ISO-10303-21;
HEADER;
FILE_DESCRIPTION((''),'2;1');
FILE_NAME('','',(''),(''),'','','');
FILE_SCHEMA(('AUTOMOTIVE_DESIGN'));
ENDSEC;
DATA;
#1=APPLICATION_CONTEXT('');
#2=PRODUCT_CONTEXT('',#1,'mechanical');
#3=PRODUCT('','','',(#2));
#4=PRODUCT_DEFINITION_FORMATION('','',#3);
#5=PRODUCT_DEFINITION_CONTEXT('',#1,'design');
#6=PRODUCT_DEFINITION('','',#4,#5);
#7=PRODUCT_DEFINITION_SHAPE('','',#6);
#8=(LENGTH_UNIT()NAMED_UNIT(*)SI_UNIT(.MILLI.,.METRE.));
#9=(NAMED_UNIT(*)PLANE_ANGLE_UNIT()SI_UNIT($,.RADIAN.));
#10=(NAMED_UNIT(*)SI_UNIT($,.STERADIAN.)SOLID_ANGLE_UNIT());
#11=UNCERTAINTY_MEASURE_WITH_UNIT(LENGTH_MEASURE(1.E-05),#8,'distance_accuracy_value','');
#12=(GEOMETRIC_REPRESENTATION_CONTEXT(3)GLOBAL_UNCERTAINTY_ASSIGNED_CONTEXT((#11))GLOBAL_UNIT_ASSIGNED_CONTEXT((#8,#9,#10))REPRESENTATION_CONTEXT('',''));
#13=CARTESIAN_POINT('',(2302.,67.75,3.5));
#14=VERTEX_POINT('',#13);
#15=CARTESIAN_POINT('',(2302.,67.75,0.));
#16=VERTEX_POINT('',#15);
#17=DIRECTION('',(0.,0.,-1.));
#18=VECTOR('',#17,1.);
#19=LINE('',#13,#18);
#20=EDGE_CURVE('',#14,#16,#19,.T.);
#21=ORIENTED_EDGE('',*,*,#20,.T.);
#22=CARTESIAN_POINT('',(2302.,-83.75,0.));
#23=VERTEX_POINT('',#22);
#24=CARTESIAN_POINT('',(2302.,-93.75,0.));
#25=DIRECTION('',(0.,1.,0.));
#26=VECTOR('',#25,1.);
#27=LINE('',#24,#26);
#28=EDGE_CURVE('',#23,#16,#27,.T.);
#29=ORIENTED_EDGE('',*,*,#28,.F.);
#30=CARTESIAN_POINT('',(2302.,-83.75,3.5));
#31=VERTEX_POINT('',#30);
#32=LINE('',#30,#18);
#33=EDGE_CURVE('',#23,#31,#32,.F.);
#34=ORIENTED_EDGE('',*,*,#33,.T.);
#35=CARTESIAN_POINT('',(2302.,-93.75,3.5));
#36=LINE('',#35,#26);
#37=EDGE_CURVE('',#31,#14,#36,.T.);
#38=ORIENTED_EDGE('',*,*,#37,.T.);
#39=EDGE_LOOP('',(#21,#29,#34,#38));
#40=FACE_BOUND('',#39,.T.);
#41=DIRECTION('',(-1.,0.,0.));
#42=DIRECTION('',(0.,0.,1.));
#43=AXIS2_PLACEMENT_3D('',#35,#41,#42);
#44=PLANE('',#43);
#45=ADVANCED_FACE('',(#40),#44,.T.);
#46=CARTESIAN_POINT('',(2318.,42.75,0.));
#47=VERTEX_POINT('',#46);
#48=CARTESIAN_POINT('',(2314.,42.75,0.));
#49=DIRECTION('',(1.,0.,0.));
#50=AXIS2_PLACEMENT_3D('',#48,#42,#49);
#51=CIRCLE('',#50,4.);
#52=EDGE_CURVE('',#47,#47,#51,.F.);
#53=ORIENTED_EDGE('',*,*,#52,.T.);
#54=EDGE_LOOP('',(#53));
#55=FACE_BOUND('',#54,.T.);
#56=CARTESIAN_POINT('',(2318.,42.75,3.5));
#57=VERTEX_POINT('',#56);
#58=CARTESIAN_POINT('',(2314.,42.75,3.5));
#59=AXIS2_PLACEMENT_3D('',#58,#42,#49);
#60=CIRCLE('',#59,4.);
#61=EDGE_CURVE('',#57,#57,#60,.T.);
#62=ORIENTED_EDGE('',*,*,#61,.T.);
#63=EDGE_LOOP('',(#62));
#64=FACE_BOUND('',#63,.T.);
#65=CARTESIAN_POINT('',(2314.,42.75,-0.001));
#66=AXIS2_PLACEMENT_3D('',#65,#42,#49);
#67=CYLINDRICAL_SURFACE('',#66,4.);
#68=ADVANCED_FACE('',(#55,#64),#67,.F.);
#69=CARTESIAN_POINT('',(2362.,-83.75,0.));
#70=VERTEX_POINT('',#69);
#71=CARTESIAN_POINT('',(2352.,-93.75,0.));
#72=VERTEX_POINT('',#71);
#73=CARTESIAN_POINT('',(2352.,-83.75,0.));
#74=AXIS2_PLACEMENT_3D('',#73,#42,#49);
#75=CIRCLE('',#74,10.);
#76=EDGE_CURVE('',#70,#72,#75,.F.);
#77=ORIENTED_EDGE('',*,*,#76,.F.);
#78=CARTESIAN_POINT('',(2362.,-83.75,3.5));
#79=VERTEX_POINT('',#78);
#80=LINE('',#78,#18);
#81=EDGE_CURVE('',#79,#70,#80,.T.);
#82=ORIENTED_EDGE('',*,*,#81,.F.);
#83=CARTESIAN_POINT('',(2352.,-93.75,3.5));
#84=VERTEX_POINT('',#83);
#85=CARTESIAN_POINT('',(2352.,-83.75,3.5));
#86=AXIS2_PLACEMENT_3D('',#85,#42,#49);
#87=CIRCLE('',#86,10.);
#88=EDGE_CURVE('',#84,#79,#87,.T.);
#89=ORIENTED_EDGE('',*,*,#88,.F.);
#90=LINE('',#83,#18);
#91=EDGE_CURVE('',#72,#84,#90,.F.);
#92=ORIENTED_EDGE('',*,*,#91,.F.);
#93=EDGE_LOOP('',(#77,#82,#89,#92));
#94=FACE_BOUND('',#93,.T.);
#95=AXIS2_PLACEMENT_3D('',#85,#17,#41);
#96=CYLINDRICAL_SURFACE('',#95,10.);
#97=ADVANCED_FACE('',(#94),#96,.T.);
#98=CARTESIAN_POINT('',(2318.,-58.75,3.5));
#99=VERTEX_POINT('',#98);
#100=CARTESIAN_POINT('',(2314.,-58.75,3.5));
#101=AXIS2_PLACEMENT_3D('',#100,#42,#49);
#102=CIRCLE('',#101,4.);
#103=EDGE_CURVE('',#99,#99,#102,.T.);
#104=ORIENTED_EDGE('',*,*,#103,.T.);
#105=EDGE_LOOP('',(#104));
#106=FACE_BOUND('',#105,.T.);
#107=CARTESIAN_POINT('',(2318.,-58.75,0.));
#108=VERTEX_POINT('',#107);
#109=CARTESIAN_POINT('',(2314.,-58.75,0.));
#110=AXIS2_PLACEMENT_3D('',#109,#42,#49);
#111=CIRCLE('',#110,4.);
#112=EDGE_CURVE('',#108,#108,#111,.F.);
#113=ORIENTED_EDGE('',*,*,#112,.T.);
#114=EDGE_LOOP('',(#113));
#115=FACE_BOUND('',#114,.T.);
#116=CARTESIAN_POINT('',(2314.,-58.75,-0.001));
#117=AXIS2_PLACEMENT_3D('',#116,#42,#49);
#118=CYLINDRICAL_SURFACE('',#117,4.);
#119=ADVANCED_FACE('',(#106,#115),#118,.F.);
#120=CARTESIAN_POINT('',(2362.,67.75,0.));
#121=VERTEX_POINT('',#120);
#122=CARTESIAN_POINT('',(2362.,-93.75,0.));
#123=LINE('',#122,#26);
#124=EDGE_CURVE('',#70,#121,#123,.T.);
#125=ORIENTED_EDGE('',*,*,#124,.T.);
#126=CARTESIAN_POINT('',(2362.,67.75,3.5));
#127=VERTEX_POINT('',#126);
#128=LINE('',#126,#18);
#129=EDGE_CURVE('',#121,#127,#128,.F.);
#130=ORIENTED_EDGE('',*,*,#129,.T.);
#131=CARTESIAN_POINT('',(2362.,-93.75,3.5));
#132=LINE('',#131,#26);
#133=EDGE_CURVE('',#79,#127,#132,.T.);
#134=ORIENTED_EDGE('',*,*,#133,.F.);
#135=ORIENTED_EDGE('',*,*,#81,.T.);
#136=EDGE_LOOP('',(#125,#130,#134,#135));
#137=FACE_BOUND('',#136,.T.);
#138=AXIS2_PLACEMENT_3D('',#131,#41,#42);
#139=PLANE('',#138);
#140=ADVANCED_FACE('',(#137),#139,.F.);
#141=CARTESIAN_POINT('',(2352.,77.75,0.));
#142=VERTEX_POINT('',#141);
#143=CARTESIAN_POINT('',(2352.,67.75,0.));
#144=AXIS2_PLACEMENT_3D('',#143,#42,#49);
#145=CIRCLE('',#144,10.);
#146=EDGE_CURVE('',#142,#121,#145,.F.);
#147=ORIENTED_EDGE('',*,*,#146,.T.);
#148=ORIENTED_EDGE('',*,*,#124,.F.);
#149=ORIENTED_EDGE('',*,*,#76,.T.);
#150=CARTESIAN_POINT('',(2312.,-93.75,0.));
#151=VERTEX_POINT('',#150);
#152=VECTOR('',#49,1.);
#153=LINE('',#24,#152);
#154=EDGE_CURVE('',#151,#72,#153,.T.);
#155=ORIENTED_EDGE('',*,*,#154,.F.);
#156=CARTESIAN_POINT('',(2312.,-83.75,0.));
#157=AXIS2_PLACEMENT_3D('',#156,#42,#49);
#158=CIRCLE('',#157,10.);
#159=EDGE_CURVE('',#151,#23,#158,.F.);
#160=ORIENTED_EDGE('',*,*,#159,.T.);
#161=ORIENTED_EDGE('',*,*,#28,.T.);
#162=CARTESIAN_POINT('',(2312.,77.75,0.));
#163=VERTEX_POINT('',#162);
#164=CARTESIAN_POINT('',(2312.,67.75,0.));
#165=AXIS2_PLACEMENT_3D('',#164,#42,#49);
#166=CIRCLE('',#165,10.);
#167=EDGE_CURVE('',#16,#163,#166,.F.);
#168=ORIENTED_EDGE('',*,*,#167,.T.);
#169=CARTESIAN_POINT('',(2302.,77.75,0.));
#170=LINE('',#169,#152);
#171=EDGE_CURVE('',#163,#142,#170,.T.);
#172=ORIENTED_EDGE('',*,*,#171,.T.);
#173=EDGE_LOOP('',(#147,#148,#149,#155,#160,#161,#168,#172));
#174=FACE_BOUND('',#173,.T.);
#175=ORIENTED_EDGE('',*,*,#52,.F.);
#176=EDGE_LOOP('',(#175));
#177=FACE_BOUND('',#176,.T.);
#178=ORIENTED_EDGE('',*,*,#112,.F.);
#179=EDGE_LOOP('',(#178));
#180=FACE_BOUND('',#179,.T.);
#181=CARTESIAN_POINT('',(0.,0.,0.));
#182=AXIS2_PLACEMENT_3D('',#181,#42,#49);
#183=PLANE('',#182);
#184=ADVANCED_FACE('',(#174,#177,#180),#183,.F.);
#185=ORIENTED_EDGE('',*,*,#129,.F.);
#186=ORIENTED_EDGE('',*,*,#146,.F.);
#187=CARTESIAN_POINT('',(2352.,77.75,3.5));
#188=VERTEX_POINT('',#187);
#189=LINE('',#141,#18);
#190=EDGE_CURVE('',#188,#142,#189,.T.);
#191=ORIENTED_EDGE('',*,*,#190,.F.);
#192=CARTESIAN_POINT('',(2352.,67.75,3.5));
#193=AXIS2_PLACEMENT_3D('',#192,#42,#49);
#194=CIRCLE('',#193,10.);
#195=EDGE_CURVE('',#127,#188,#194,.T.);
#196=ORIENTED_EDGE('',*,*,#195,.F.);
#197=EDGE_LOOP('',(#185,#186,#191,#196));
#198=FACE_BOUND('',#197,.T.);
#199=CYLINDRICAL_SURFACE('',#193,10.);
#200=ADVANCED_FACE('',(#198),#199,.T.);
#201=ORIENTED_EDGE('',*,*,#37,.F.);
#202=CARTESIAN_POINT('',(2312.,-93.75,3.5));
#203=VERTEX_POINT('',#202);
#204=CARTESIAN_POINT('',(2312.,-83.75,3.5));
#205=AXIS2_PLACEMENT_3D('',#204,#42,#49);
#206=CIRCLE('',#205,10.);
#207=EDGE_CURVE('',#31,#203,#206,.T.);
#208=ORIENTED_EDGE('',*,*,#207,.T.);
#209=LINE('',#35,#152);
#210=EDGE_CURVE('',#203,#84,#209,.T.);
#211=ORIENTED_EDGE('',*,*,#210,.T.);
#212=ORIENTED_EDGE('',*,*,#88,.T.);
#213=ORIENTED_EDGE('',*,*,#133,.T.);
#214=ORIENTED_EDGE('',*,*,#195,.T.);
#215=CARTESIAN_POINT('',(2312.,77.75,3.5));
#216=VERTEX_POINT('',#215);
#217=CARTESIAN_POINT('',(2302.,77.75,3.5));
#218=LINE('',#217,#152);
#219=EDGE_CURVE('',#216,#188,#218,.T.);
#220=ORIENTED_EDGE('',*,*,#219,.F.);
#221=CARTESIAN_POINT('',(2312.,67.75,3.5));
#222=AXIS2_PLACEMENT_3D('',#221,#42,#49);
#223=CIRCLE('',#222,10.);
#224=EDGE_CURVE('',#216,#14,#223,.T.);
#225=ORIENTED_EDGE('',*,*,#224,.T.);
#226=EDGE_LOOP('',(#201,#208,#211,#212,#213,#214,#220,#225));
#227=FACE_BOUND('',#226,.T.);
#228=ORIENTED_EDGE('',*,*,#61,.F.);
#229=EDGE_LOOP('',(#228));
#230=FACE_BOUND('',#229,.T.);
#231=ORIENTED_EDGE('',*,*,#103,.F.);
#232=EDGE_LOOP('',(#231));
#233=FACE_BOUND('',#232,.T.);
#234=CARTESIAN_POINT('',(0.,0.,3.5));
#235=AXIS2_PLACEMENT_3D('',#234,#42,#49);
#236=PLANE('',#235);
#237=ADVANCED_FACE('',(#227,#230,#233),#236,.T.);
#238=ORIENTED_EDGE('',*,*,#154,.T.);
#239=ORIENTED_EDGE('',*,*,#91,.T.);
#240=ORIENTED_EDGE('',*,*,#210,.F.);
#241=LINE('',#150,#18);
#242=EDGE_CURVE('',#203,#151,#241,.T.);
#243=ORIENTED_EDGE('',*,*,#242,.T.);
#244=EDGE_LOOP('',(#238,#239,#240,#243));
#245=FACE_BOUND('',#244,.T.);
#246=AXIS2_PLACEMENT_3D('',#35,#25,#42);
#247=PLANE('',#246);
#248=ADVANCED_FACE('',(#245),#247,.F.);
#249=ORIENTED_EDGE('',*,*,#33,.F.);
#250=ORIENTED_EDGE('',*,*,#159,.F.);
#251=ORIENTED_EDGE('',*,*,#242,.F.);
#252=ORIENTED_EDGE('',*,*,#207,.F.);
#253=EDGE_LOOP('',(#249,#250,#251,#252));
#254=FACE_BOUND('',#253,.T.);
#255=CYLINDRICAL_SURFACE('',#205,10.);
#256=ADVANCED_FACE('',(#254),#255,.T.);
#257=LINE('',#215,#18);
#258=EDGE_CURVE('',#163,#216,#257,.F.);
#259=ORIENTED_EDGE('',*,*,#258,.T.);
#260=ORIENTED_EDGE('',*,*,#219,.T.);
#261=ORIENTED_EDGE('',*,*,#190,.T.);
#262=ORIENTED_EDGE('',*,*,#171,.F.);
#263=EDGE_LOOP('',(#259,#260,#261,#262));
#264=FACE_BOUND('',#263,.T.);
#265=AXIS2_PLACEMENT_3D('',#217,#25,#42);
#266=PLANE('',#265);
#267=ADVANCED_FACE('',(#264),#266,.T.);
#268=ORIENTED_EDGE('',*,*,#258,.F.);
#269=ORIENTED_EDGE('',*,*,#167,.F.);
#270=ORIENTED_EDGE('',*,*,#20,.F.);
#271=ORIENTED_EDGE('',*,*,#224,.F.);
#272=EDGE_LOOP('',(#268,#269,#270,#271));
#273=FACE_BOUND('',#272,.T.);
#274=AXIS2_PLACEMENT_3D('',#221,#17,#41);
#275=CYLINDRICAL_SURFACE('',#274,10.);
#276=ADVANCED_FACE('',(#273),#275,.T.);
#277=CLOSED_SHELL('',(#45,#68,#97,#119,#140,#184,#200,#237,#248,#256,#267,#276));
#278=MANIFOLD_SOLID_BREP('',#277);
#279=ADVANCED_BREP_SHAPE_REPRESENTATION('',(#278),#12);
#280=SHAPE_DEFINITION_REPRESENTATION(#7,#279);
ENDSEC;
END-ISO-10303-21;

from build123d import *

# Parameters (mm, degrees)
SKETCH_1_W          = 60
SKETCH_1_H          = 171.5
EXTRUDE_1_DEPTH     = 3.5
FILLET_1_R          = 10
CUT_EXTRUDE_1_REACH = 5.5
SKETCH_2_R          = 4


with BuildPart() as part:
    # 草图1 → 凸台-拉伸1 (new body)
    with BuildSketch(Plane.XY):
        with Locations((2332, -8)):
            Rectangle(SKETCH_1_W, SKETCH_1_H)
    extrude(amount=EXTRUDE_1_DEPTH)

    # 圆角1
    fillet_1_edges = [part.edges().sort_by_distance(p)[0] for p in [
        (2302, -93.75, 1.75),
        (2302, 77.75, 1.75),
        (2362, 77.75, 1.75),
        (2362, -93.75, 1.75),
    ]]
    fillet(fillet_1_edges, radius=FILLET_1_R)

    # 草图2 → 切除-拉伸1 (cut, up to next)
    with BuildSketch(Plane.XY.offset(3.5), mode=Mode.PRIVATE) as cut_extrude_1_sk1:
        with Locations((2314, 42.75)):
            Circle(SKETCH_2_R)
    cut_extrude_1_tool1 = extrude(cut_extrude_1_sk1.sketch, amount=-CUT_EXTRUDE_1_REACH, mode=Mode.PRIVATE) & part.part
    add(cut_extrude_1_tool1.solids().sort_by_distance((2314, 42.75, 3.5))[0], mode=Mode.SUBTRACT)
    # 草图2 → 切除-拉伸1 (cut, up to next)
    with BuildSketch(Plane.XY.offset(3.5), mode=Mode.PRIVATE) as cut_extrude_1_sk2:
        with Locations((2314, -58.75)):
            Circle(SKETCH_2_R)
    cut_extrude_1_tool2 = extrude(cut_extrude_1_sk2.sketch, amount=-CUT_EXTRUDE_1_REACH, mode=Mode.PRIVATE) & part.part
    add(cut_extrude_1_tool2.solids().sort_by_distance((2314, -58.75, 3.5))[0], mode=Mode.SUBTRACT)


solid = part.part
